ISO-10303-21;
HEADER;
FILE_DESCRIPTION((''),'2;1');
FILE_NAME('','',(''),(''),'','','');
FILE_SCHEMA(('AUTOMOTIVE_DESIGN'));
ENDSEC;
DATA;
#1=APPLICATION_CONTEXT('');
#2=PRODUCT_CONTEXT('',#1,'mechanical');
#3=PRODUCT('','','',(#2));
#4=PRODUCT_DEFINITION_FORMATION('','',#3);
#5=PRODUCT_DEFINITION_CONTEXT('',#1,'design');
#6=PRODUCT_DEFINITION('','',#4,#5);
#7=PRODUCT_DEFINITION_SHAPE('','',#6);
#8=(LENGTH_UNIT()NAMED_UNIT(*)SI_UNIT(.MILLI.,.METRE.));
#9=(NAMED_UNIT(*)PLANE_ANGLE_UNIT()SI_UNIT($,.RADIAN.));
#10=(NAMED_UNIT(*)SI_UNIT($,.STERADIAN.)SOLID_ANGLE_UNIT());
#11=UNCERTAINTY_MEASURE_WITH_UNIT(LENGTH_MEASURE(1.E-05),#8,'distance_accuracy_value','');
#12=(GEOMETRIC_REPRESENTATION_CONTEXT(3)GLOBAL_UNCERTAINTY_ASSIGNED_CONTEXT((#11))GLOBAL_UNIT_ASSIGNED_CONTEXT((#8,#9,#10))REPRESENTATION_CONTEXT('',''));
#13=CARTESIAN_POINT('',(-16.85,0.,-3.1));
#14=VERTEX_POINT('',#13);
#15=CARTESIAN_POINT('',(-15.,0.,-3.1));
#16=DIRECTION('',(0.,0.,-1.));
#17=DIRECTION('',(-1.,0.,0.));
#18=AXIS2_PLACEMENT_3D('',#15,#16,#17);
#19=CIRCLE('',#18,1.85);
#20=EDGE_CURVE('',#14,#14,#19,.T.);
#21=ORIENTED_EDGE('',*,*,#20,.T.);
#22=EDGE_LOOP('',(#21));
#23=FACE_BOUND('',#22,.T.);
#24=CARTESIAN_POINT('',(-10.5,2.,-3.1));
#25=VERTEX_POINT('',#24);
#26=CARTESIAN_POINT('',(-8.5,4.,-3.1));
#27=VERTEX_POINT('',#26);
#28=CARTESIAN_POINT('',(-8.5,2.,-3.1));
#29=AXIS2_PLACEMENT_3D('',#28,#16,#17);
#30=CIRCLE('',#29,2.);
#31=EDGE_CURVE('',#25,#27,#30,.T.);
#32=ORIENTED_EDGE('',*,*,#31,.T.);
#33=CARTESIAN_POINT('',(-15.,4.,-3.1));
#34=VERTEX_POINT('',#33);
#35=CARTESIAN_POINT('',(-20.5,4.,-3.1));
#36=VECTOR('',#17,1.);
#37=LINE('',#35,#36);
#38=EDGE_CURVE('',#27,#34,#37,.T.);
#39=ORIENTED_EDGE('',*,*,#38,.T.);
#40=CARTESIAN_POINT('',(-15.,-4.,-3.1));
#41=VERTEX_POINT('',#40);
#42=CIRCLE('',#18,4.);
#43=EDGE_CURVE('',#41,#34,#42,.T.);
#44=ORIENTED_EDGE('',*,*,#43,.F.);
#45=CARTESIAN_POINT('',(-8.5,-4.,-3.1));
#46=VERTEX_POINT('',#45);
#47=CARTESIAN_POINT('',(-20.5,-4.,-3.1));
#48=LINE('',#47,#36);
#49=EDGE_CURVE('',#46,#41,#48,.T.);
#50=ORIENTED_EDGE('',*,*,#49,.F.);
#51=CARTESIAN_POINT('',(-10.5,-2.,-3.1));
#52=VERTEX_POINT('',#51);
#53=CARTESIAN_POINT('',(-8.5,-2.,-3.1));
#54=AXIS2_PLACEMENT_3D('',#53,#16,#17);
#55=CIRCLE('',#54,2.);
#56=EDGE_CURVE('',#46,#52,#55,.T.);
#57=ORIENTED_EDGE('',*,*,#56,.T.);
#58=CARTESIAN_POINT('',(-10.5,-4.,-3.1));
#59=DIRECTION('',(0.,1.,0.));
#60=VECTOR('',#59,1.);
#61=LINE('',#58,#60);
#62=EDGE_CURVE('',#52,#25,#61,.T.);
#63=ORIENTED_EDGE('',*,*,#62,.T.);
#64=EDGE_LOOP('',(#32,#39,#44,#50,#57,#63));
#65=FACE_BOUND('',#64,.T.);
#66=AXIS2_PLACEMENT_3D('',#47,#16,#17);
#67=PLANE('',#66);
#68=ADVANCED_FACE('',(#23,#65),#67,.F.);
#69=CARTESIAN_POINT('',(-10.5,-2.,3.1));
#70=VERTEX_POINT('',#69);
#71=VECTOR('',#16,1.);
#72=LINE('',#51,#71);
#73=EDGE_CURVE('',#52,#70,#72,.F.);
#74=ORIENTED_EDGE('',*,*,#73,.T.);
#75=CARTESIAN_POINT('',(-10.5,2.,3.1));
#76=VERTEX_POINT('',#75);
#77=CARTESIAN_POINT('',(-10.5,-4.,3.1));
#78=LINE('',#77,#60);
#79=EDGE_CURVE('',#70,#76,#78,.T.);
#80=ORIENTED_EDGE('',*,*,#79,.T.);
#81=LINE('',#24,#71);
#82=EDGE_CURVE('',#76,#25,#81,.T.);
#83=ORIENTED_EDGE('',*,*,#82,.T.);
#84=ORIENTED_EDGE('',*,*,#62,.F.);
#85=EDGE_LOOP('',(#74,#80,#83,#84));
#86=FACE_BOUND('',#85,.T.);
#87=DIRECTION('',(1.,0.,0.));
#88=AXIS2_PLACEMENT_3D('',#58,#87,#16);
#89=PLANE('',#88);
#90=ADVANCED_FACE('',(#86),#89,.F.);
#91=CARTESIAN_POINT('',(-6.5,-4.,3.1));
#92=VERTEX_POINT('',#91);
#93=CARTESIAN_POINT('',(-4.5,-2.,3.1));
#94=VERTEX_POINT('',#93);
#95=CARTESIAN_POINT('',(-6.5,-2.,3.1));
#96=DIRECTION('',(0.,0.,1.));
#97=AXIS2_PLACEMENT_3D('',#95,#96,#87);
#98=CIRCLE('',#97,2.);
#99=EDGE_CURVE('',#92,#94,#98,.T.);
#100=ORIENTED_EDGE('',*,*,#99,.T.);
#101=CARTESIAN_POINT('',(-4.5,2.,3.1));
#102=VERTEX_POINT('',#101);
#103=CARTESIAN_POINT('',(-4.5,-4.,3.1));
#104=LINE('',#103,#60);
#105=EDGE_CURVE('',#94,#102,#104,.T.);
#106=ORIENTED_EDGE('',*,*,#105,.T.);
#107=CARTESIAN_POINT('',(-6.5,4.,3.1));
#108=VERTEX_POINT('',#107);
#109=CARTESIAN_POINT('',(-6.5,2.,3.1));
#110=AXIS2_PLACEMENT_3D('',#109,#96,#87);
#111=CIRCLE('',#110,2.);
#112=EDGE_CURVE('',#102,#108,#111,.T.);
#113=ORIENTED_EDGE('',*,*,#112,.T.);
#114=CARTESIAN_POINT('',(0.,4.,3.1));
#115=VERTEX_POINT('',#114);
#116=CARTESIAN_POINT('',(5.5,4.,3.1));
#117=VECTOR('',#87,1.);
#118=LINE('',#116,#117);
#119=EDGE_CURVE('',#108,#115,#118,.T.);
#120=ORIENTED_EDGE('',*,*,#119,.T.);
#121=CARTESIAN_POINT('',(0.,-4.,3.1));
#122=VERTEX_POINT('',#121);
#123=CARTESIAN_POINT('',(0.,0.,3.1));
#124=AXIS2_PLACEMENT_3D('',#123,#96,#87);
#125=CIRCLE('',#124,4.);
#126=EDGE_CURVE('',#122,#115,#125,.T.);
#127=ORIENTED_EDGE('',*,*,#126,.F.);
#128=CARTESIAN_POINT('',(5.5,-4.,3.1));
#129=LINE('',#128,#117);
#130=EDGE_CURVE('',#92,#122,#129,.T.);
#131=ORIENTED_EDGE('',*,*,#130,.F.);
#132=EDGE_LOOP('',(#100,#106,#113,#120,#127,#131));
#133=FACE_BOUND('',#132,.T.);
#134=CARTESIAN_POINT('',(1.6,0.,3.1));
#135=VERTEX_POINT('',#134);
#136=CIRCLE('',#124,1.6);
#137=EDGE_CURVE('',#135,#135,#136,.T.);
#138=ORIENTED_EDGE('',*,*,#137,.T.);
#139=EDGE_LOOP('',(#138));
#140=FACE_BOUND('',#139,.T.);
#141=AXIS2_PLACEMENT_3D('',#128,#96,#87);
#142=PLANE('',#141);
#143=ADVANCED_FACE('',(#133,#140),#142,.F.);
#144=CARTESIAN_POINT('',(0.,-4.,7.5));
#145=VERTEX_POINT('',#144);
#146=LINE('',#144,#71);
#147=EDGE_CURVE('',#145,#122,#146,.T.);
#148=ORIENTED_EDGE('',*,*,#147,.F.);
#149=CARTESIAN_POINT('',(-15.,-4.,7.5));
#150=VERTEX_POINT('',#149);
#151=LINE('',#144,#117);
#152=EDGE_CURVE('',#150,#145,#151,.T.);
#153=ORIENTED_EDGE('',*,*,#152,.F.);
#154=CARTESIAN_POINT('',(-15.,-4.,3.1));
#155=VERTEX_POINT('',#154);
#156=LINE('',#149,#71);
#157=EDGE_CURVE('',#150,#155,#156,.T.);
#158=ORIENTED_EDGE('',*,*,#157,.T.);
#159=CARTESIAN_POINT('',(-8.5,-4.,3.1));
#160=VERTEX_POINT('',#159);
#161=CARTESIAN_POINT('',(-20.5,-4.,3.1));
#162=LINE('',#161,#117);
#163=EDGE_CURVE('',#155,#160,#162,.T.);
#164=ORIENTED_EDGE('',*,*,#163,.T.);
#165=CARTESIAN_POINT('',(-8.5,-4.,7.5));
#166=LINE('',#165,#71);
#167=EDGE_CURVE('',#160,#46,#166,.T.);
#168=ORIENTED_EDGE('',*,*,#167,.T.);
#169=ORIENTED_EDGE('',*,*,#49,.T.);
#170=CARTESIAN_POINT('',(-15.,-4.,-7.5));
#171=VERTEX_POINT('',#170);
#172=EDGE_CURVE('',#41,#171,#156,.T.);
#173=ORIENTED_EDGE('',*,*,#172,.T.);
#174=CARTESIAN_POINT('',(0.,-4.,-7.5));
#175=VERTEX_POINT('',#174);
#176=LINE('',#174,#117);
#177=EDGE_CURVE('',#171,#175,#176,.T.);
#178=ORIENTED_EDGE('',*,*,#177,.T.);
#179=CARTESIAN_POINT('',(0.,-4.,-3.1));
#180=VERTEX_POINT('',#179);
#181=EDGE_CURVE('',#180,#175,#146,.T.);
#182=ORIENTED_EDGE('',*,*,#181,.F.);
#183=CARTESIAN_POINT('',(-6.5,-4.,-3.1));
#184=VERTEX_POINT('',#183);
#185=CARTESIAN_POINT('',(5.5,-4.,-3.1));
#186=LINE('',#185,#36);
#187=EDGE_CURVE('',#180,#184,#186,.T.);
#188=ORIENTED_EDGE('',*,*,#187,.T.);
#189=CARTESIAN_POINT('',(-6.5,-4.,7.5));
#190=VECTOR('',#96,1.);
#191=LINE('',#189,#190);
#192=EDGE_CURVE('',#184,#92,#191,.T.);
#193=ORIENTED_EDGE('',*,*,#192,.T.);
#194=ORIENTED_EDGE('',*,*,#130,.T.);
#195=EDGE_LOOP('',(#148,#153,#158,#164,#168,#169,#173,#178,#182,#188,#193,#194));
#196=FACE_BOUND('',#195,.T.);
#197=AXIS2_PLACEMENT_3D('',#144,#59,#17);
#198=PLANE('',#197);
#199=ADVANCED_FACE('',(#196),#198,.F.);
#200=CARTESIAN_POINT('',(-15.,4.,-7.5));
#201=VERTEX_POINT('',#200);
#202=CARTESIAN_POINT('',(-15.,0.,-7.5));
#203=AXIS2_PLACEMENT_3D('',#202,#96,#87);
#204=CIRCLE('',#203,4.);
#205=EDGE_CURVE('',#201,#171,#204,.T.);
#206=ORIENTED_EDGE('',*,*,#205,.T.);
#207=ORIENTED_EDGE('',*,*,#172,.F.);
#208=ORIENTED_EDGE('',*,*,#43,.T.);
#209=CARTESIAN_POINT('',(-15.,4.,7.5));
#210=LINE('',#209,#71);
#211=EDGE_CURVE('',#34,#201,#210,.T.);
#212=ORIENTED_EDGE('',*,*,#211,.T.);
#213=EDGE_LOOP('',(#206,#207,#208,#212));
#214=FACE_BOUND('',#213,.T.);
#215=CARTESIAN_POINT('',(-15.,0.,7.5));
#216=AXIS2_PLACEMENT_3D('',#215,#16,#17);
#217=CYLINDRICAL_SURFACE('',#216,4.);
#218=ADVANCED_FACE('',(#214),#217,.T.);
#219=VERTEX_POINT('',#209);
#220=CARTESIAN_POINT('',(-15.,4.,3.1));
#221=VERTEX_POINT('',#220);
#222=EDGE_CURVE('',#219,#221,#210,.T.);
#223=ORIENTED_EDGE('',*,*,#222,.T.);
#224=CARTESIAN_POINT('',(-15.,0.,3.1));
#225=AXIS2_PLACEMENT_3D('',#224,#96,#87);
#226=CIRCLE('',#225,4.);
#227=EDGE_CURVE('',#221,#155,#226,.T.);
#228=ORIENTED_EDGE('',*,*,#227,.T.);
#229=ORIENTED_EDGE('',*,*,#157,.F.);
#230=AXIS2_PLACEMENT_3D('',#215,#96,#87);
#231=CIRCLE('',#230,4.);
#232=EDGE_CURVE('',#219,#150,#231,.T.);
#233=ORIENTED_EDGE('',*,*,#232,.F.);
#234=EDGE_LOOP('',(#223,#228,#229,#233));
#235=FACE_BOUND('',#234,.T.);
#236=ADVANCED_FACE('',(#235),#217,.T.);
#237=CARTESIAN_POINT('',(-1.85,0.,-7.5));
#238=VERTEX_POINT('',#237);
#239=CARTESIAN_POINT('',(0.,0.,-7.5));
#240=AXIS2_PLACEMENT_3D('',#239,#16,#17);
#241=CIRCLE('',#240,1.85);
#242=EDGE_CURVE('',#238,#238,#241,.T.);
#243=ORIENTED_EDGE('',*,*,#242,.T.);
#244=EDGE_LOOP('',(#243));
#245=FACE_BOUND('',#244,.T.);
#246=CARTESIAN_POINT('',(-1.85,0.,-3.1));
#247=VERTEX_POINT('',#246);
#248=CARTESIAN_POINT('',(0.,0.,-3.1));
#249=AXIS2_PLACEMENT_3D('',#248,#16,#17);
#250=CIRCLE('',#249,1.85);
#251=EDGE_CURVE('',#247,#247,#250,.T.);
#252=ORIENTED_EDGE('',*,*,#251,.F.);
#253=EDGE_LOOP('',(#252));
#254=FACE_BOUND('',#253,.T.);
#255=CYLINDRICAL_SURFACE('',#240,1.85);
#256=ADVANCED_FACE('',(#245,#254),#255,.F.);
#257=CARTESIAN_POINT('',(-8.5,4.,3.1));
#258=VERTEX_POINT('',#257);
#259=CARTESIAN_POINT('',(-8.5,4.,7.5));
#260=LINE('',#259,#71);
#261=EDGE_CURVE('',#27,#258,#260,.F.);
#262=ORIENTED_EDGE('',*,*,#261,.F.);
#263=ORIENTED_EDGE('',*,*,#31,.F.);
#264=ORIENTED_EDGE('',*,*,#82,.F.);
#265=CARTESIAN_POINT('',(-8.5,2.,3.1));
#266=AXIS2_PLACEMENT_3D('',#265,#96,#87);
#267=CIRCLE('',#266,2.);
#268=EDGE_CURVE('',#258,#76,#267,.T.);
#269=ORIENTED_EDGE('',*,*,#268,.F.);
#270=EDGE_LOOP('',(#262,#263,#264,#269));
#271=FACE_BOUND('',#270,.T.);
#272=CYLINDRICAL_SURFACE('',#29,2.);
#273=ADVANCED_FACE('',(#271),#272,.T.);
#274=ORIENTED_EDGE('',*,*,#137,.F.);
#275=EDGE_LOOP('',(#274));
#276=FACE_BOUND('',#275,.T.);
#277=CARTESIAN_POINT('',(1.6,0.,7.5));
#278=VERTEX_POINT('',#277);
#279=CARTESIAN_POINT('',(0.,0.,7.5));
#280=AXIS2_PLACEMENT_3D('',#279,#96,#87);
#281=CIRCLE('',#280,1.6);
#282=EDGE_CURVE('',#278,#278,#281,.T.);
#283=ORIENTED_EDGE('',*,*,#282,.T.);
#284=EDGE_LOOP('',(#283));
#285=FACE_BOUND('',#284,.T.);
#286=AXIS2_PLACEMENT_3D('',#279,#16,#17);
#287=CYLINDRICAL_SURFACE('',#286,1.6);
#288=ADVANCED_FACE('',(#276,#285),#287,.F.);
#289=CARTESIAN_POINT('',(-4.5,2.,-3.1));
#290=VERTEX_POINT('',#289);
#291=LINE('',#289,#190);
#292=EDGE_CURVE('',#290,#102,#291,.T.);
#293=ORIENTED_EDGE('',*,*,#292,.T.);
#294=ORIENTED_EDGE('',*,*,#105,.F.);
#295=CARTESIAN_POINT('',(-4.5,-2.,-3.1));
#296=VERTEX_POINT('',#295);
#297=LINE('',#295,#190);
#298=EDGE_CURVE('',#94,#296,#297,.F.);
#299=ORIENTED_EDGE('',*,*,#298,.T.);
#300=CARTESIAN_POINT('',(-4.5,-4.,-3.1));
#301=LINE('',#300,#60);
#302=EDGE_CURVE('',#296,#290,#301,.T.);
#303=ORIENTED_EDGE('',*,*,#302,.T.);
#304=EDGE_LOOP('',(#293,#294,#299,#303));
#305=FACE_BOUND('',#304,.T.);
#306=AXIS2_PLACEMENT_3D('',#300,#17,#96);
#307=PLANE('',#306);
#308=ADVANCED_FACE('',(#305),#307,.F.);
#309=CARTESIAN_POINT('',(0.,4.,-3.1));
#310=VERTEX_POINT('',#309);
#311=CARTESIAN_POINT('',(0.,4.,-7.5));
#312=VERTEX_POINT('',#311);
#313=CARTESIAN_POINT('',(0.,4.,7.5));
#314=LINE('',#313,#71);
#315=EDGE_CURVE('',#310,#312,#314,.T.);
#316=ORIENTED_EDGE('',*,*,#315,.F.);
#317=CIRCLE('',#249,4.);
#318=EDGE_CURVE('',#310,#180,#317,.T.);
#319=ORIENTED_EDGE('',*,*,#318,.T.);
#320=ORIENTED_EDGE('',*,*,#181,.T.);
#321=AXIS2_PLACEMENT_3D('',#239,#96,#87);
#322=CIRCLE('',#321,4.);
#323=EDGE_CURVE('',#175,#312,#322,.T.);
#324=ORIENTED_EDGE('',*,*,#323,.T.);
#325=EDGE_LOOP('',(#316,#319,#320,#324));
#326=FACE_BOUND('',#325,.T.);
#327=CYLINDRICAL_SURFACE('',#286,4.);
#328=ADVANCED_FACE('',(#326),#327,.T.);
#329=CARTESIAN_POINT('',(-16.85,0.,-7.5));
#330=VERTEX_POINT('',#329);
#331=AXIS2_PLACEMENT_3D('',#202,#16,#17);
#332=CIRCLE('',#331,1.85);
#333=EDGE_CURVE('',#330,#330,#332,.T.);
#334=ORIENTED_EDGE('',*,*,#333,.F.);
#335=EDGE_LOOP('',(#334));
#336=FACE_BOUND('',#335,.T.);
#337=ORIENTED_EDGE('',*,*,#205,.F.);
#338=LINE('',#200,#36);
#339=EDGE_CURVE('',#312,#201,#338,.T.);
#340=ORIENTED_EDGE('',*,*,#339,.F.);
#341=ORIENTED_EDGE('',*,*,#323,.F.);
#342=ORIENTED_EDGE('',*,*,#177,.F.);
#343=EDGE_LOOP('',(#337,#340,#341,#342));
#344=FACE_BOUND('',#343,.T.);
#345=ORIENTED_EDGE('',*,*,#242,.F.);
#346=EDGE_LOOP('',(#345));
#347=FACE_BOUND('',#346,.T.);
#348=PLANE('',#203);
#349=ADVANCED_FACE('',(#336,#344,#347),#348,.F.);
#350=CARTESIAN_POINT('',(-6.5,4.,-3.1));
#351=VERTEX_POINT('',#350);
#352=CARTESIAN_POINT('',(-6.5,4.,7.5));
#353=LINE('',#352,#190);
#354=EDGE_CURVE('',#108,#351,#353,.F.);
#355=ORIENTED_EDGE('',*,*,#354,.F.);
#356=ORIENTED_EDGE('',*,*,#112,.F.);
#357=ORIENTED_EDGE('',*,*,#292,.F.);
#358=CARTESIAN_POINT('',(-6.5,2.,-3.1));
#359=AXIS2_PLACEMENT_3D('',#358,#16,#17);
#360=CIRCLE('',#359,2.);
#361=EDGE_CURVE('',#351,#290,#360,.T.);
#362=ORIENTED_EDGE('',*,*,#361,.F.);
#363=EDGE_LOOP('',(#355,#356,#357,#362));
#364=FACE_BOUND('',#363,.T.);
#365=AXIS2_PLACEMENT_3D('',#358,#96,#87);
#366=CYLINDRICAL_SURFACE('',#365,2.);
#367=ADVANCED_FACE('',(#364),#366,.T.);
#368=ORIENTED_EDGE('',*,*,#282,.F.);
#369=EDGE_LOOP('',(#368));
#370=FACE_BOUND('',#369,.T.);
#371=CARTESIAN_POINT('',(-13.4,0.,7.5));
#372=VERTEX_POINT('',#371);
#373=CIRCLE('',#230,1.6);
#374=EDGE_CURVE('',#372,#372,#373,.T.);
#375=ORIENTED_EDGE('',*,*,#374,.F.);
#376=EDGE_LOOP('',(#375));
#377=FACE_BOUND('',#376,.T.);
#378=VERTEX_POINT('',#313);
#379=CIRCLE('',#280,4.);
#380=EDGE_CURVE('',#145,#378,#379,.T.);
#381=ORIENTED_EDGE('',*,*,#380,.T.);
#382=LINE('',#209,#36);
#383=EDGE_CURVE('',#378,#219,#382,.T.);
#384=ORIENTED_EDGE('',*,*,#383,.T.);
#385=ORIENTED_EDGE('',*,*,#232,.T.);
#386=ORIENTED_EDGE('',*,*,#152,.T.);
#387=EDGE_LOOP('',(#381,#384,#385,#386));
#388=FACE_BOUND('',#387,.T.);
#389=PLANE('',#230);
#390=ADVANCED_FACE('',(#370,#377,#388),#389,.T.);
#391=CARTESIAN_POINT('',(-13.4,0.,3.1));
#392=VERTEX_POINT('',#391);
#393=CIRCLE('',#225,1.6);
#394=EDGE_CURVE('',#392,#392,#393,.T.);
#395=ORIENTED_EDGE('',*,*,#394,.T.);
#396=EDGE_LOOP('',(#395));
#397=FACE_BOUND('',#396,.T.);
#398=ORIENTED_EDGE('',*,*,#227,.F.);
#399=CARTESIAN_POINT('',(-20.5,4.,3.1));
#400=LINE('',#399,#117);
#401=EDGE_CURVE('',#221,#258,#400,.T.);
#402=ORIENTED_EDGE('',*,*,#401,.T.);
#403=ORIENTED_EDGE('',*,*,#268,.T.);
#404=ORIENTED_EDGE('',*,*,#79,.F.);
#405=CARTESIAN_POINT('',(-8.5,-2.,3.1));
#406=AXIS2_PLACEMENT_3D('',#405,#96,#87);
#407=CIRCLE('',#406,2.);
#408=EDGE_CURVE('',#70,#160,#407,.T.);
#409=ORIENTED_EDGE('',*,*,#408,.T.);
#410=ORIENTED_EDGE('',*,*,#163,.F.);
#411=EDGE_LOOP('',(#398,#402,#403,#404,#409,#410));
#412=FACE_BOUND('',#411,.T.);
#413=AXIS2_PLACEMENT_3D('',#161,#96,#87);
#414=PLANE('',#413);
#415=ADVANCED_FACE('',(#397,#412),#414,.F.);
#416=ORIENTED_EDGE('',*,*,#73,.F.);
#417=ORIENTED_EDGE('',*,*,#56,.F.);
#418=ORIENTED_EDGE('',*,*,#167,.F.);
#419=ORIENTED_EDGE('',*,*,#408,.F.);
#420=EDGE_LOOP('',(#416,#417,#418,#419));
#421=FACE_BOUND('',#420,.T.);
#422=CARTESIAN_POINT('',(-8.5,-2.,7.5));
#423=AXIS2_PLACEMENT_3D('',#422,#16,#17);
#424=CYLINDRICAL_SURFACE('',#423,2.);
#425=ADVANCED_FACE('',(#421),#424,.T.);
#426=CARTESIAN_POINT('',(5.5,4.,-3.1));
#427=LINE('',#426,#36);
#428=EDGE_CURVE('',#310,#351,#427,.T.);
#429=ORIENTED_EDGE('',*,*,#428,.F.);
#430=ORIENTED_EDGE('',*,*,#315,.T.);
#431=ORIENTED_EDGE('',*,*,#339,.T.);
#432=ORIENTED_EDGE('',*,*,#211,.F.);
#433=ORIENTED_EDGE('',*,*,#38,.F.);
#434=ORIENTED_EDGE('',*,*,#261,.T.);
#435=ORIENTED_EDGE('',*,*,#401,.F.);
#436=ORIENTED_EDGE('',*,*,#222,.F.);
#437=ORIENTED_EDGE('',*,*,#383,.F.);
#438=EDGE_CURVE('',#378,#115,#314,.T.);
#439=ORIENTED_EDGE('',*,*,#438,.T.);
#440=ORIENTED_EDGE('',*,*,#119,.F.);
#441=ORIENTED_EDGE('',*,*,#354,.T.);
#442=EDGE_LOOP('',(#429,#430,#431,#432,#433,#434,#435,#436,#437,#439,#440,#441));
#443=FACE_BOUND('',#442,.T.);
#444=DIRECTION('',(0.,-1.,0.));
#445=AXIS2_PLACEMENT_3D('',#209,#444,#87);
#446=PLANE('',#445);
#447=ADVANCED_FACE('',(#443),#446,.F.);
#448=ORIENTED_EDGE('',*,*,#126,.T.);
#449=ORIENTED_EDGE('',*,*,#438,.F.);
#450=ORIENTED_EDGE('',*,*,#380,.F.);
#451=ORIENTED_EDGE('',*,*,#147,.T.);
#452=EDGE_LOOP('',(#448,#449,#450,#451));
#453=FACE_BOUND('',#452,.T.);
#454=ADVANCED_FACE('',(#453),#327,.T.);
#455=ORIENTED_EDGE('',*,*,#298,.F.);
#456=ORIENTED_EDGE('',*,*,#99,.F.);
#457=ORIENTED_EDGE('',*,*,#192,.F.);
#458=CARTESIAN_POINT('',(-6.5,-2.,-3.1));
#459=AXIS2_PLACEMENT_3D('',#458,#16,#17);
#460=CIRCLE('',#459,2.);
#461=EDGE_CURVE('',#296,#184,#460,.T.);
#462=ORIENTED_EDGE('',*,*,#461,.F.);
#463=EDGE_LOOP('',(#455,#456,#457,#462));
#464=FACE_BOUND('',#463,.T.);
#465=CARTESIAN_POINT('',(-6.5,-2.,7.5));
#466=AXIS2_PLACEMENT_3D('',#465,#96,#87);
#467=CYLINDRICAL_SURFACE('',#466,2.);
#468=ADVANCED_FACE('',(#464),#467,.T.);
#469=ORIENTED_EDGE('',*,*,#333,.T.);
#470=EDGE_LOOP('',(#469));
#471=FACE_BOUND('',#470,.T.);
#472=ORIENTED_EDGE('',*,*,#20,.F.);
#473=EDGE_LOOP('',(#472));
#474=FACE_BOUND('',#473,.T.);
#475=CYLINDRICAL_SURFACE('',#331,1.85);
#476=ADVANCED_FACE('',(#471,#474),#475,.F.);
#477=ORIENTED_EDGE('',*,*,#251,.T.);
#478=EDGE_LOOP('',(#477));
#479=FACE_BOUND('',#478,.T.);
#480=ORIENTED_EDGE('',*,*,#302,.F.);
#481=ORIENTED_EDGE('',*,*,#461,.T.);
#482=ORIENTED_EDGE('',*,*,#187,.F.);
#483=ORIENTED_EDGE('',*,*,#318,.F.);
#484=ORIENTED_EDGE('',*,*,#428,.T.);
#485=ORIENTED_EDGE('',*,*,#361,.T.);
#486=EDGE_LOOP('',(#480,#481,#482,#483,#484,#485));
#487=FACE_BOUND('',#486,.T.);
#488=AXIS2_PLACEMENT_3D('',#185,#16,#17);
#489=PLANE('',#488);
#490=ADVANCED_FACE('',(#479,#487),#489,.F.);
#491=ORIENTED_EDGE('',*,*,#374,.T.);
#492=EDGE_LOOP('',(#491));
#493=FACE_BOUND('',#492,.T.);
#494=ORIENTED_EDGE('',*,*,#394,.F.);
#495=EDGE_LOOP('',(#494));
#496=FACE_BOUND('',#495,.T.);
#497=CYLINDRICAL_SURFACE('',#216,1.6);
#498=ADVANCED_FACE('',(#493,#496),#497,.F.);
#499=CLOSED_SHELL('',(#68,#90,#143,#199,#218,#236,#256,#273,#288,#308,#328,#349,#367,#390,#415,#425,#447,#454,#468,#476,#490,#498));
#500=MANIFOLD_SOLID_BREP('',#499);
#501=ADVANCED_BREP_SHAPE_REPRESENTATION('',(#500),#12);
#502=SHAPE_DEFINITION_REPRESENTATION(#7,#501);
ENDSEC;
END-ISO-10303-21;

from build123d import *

# Parameters (mm, degrees)
SKETCH1_R               = 1.6
BOSS_EXTRUDE1_DEPTH     = 7.5
SKETCH2_W               = 10
SKETCH2_H               = 6.2
CUT_EXTRUDE1_DEPTH      = 5
CUT_EXTRUDE1_DEPTH_BACK = 5
HOLE1_D                 = 3.7
HOLE1_DEPTH             = 4.4
FILLET1_R               = 2


with BuildPart() as part:
    # Sketch1 → Boss-Extrude1 (new body, symmetric)
    with BuildSketch(Plane.XY):
        with BuildLine():
            Line((-15, 4), (0, 4))
            ThreePointArc((0, 4), (4, 0), (0, -4))
            Line((0, -4), (-15, -4))
            ThreePointArc((-15, -4), (-19, 0), (-15, 4))
        make_face()
        Circle(SKETCH1_R, mode=Mode.SUBTRACT)
        with Locations((-15, 0)):
            Circle(SKETCH1_R, mode=Mode.SUBTRACT)
    extrude(amount=BOSS_EXTRUDE1_DEPTH, both=True)

    # Sketch2 → Cut-Extrude1 (cut, two sides)
    with BuildSketch(Plane(origin=(0, 0, 0), x_dir=(1, 0, 0), z_dir=(0, 1, 0))) as cut_extrude1_sk:
        with Locations((0.5, 0)):
            Rectangle(SKETCH2_W, SKETCH2_H)
        with Locations((-15.5, 0)):
            Rectangle(SKETCH2_W, SKETCH2_H)
    extrude(amount=CUT_EXTRUDE1_DEPTH, mode=Mode.SUBTRACT)
    extrude(cut_extrude1_sk.sketch, amount=-CUT_EXTRUDE1_DEPTH_BACK, mode=Mode.SUBTRACT)

    # Hole1
    with Locations(Plane(origin=(0, 0, -7.5), x_dir=(-1, 0, 0), z_dir=(0, 0, -1))):
        with Locations((0, 0), (15, 0)):
            Hole(HOLE1_D / 2, depth=HOLE1_DEPTH)

    # Fillet1
    fillet1_edges = [part.edges().sort_by_distance(p)[0] for p in [
        (-4.5, -4, 0),
        (-4.5, 4, 0),
        (-10.5, -4, 0),
        (-10.5, 4, 0),
    ]]
    fillet(fillet1_edges, radius=FILLET1_R)


solid = part.part
